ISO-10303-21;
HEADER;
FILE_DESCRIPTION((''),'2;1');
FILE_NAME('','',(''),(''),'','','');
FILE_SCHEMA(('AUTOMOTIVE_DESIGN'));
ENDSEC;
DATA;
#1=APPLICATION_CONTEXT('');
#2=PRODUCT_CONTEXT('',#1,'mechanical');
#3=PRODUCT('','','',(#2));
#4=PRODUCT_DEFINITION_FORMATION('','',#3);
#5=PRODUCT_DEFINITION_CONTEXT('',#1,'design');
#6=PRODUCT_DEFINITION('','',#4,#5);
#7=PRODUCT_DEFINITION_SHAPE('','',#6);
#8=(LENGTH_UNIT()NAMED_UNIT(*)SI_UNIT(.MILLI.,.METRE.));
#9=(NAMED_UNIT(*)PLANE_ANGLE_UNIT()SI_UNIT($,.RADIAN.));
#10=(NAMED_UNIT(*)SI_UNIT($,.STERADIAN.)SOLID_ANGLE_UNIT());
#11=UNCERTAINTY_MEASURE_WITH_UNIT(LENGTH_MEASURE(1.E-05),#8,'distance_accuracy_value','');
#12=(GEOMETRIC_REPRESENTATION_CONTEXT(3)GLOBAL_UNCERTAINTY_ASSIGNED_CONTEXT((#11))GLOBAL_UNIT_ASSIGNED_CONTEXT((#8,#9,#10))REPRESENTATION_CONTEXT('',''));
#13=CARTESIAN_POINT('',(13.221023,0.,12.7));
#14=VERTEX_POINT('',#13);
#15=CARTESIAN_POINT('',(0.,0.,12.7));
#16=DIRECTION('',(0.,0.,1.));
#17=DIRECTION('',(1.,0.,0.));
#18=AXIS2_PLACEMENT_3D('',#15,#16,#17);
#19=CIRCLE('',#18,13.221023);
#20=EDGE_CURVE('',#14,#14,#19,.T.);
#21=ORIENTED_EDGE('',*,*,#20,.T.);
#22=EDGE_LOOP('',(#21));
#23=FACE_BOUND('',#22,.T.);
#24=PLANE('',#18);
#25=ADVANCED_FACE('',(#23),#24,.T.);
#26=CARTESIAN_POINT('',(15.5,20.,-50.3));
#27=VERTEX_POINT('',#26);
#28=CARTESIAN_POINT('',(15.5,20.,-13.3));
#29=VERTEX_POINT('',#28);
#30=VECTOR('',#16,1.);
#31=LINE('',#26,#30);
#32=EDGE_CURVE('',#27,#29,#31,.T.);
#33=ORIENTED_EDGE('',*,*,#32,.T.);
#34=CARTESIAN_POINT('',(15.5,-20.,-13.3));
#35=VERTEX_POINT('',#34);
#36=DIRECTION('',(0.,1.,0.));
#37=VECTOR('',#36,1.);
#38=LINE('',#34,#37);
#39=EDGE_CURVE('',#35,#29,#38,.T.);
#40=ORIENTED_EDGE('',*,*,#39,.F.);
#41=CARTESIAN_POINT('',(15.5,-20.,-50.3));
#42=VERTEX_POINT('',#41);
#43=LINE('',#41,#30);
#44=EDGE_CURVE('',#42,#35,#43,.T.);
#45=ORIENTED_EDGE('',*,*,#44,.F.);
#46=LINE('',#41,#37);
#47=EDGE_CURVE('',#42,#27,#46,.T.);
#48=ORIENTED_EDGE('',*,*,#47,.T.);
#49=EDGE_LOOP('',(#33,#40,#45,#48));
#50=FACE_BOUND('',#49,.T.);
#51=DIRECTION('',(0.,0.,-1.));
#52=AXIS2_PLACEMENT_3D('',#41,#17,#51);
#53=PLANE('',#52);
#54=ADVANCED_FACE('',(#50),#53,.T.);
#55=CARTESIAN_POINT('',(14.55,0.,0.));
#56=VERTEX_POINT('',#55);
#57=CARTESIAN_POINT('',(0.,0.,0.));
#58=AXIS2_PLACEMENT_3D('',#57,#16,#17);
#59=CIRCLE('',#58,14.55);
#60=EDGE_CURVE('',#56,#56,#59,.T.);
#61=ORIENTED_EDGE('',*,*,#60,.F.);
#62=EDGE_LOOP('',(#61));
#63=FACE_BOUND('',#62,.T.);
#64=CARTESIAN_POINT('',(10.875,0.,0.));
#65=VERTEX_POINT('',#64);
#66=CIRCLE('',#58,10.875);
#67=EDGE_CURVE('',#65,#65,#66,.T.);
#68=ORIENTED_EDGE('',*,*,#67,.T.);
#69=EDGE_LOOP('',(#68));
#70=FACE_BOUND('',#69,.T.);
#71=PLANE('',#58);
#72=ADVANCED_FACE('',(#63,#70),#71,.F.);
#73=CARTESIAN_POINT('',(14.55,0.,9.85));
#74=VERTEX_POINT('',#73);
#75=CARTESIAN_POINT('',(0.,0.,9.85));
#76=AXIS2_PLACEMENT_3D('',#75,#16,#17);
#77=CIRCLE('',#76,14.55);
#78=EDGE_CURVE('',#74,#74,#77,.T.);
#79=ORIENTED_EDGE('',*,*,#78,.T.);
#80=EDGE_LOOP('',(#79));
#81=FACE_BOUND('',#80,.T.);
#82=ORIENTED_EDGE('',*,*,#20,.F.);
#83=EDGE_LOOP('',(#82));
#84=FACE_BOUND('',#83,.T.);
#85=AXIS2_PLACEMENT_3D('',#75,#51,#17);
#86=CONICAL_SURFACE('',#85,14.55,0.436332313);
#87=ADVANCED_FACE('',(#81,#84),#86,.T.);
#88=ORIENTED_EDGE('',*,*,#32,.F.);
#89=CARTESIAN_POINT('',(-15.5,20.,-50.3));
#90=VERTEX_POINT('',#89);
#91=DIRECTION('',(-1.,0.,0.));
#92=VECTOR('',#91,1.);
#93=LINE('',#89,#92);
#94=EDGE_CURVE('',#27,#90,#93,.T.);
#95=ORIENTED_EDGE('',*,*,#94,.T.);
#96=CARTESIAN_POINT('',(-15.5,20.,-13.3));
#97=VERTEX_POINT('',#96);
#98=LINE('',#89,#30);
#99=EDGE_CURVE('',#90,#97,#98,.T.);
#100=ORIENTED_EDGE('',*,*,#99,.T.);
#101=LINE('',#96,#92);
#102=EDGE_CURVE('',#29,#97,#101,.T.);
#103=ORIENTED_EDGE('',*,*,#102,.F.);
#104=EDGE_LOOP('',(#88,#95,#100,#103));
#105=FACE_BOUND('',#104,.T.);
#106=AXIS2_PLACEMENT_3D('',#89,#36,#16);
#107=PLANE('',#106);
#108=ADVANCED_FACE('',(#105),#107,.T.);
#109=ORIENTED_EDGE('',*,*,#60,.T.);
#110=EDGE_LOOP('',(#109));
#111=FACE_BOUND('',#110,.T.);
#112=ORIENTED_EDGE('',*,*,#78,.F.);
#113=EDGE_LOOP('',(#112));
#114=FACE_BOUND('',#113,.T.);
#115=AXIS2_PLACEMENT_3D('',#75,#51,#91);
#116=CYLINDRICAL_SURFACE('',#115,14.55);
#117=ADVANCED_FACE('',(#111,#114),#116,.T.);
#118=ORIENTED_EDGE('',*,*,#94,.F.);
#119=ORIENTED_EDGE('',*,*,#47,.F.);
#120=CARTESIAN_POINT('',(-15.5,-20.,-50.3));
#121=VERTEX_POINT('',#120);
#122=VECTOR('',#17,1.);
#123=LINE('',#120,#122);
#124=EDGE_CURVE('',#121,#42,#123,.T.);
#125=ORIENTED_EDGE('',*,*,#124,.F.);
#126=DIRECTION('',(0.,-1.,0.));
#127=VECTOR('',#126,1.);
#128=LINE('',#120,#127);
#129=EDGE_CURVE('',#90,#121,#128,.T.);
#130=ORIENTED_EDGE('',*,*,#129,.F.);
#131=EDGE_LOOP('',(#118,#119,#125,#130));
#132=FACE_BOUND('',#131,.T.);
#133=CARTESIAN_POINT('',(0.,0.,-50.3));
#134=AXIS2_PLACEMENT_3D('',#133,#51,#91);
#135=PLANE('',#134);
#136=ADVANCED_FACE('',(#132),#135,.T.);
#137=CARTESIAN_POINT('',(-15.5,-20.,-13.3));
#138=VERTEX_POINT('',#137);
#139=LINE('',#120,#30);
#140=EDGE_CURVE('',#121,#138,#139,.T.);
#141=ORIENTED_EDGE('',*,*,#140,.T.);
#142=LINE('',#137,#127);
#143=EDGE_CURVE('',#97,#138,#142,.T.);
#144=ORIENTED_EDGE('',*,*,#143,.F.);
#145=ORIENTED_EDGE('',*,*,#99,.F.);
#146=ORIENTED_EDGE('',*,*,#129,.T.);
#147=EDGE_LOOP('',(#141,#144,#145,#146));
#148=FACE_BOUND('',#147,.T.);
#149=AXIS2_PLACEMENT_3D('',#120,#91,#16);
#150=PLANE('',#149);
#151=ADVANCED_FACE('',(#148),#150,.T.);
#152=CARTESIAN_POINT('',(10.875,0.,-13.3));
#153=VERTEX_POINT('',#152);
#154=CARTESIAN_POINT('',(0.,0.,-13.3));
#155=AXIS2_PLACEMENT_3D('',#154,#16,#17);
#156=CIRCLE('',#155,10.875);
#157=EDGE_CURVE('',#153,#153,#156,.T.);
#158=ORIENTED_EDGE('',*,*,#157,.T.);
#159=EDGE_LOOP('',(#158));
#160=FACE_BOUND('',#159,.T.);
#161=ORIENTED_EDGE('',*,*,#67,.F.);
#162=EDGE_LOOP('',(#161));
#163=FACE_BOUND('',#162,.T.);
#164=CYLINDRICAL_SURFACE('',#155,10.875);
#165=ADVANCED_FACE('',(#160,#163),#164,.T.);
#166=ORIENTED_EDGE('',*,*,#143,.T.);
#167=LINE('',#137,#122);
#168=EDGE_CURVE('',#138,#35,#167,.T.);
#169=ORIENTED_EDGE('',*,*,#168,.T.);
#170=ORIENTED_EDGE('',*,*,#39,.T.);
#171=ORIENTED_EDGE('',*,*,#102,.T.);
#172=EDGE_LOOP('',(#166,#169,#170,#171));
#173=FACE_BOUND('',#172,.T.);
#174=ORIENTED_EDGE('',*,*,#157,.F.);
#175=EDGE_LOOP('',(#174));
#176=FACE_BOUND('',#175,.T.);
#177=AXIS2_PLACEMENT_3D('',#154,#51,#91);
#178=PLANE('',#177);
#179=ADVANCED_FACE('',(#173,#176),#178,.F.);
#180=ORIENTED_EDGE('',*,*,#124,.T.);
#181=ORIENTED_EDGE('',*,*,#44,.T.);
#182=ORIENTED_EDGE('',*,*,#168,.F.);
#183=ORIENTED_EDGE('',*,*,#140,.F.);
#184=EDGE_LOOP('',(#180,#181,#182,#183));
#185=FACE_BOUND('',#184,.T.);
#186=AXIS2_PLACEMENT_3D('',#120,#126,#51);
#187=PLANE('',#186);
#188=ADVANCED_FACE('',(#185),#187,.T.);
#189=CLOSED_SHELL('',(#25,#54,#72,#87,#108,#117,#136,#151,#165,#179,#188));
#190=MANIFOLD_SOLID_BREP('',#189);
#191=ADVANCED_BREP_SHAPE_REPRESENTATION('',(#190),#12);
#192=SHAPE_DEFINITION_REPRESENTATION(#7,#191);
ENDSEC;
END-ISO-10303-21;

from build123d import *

# Parameters (mm, degrees)
SKETCH1_R           = 14.55
BOSS_EXTRUDE1_DEPTH = 9.85
SKETCH3_R           = 14.55
BOSS_EXTRUDE3_DEPTH = 2.85
BOSS_EXTRUDE3_TAPER = 25
SKETCH4_R           = 10.875
BOSS_EXTRUDE4_DEPTH = 13.3
SKETCH2_W           = 31
SKETCH2_H           = 40
BOSS_EXTRUDE2_DEPTH = 37


with BuildPart() as part:
    # Sketch1 → Boss-Extrude1 (new body)
    with BuildSketch(Plane.XY):
        Circle(SKETCH1_R)
    extrude(amount=BOSS_EXTRUDE1_DEPTH)

    # Sketch3 → Boss-Extrude3 (add)
    with BuildSketch(Plane.XY.offset(9.85)):
        Circle(SKETCH3_R)
    extrude(amount=BOSS_EXTRUDE3_DEPTH, taper=BOSS_EXTRUDE3_TAPER)

    # Sketch4 → Boss-Extrude4 (add)
    with BuildSketch(Plane.XY):
        Circle(SKETCH4_R)
    extrude(amount=-BOSS_EXTRUDE4_DEPTH)

    # Sketch2 → Boss-Extrude2 (add)
    with BuildSketch(Plane.XY.offset(-13.3)):
        Rectangle(SKETCH2_W, SKETCH2_H)
    extrude(amount=-BOSS_EXTRUDE2_DEPTH)


solid = part.part
